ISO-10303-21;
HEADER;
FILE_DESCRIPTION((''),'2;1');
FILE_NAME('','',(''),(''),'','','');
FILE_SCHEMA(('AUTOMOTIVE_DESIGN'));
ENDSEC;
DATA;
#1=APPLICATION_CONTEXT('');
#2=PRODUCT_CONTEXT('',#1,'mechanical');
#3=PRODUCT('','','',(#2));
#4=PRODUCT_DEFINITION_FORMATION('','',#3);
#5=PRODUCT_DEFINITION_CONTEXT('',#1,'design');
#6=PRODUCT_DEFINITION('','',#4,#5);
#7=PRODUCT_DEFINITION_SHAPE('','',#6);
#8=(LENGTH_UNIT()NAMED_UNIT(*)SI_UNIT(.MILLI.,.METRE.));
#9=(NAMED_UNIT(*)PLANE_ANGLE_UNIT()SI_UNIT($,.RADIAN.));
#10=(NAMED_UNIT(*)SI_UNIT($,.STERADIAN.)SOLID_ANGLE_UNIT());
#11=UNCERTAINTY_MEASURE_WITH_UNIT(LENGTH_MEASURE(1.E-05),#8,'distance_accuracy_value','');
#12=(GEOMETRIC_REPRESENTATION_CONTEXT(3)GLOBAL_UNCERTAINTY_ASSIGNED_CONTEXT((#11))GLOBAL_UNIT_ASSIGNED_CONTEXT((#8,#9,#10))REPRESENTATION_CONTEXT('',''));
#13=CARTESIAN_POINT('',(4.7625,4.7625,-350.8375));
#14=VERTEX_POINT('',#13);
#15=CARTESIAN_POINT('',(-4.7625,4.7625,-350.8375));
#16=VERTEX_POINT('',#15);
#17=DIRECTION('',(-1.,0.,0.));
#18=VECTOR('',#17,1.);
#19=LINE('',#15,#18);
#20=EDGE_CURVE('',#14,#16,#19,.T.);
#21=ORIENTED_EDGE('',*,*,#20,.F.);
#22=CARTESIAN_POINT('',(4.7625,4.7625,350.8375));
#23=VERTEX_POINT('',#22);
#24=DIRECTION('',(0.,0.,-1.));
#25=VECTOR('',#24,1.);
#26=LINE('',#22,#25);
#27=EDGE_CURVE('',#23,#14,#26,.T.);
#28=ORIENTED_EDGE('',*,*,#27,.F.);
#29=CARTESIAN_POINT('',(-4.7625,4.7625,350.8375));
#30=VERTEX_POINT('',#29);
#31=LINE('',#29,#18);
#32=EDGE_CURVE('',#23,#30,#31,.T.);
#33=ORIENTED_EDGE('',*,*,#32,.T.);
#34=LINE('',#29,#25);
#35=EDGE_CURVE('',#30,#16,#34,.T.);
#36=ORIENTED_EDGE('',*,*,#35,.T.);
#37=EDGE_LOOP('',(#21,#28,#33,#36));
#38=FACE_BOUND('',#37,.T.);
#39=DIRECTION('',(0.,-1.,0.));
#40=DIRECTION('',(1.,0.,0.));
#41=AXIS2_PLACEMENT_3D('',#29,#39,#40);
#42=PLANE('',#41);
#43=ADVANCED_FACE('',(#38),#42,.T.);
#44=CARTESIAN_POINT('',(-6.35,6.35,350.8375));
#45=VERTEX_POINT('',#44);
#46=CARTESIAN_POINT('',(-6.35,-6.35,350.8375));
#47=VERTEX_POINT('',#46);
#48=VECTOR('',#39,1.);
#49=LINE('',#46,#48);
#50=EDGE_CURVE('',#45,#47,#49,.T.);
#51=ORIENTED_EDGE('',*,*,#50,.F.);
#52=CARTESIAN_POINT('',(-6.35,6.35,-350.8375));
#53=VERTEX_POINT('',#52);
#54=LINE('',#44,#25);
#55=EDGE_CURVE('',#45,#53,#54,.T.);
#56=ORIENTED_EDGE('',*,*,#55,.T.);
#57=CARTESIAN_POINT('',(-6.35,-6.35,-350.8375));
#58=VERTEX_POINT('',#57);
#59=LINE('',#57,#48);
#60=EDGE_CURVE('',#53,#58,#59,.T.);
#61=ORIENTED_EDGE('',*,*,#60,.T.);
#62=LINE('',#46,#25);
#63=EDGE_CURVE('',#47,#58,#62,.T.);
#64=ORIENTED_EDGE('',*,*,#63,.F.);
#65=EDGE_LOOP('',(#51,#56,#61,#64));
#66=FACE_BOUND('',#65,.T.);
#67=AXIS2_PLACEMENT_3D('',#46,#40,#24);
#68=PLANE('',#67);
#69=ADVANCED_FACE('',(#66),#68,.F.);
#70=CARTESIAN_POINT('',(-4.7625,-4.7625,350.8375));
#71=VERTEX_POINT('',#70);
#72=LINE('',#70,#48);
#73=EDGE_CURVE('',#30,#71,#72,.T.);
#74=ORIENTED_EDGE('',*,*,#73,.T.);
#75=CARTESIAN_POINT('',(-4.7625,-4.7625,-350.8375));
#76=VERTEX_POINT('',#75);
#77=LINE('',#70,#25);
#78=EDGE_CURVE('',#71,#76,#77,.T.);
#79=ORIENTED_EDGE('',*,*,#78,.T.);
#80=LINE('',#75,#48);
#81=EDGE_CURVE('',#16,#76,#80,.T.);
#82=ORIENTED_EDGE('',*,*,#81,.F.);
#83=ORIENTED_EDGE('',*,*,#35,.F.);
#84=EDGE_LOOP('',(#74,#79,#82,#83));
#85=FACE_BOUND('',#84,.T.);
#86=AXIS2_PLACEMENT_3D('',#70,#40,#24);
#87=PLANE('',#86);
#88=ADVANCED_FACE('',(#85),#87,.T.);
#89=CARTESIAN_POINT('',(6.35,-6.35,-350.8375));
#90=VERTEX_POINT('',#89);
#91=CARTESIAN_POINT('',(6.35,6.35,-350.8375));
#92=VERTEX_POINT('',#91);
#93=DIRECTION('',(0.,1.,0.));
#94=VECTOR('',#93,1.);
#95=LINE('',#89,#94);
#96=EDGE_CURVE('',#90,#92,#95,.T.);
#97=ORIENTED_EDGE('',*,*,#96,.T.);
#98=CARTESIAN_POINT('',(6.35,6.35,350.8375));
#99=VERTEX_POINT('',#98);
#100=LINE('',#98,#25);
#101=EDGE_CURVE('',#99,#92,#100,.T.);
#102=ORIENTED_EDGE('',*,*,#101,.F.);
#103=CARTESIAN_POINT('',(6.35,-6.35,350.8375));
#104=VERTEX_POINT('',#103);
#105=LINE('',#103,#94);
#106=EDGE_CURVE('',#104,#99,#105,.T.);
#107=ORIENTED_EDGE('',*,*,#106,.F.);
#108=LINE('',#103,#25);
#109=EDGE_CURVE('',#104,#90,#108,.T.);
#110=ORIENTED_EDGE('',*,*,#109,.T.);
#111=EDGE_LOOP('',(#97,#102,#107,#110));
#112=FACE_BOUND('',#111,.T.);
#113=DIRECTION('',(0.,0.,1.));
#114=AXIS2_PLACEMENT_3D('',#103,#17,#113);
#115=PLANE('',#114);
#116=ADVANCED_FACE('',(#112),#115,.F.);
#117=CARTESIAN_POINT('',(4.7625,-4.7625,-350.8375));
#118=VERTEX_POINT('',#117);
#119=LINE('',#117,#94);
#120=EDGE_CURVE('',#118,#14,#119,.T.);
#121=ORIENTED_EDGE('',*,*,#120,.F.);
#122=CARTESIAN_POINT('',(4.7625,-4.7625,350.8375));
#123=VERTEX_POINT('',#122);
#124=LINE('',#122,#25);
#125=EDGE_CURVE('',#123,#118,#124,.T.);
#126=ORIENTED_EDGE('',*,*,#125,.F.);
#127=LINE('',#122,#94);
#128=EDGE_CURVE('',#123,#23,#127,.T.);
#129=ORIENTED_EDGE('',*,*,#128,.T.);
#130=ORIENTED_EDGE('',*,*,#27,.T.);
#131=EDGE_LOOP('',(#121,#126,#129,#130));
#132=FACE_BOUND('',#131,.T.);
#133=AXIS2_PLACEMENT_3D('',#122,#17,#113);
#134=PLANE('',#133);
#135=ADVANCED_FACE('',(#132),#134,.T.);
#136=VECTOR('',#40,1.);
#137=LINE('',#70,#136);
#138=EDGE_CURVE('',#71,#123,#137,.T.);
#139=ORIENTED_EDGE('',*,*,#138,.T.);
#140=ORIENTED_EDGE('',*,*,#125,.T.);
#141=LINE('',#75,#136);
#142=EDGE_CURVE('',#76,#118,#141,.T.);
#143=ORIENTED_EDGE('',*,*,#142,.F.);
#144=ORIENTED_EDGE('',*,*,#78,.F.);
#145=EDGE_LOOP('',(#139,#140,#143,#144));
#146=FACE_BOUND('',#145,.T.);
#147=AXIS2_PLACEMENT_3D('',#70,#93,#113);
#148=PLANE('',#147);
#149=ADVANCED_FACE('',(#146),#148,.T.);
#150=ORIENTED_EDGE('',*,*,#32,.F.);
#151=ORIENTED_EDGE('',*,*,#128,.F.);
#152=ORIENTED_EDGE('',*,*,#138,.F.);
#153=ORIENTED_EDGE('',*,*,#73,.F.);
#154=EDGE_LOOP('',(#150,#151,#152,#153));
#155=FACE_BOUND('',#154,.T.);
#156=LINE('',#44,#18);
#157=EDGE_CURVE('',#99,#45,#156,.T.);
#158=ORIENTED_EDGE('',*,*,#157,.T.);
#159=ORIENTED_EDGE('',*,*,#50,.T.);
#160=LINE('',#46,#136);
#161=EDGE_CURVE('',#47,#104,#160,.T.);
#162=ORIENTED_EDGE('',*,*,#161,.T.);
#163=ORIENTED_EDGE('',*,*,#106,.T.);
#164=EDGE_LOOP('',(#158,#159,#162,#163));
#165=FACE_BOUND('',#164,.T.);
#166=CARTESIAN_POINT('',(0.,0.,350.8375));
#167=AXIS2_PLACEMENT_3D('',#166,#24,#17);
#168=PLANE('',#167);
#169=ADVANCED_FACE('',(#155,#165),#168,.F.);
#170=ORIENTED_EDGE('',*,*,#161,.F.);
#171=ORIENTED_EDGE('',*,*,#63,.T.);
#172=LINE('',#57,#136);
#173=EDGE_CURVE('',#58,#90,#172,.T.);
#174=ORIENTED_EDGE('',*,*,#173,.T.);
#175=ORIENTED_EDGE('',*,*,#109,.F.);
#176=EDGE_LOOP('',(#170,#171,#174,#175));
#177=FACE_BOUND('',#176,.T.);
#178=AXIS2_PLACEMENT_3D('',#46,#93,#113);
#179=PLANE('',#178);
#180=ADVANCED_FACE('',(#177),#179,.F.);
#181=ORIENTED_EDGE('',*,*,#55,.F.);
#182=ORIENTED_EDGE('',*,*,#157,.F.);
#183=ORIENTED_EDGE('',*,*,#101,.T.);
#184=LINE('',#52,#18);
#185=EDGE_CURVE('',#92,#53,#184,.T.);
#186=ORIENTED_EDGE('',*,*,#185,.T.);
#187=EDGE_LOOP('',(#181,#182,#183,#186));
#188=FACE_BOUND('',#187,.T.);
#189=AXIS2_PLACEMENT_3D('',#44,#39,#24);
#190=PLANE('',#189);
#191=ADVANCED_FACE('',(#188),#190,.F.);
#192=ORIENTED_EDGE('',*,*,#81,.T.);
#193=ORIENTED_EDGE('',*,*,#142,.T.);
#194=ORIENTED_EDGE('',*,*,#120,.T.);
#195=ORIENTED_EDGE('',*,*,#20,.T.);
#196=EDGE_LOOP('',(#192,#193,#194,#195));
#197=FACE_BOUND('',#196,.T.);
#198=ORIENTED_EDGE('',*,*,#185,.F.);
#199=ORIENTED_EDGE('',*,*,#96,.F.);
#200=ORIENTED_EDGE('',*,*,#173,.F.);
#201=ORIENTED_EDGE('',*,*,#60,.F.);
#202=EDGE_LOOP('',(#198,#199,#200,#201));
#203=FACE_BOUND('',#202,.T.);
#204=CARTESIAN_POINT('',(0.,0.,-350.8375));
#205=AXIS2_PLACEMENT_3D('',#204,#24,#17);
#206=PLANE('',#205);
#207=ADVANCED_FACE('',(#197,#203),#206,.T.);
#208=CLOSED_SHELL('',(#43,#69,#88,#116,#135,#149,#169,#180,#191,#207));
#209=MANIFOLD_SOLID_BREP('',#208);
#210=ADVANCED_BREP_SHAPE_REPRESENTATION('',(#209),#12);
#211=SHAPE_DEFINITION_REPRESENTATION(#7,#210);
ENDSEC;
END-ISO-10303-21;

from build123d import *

# Parameters (mm, degrees)
SKETCH1_W           = 12.7
SKETCH1_H           = 12.7
SKETCH1_W_2         = 9.525
SKETCH1_H_2         = 9.525
BOSS_EXTRUDE1_DEPTH = 350.8375


with BuildPart() as part:
    # Sketch1 → Boss-Extrude1 (new, symmetric)
    with BuildSketch(Plane.XY):
        Rectangle(SKETCH1_W, SKETCH1_H)
        Rectangle(SKETCH1_W_2, SKETCH1_H_2, mode=Mode.SUBTRACT)
    extrude(amount=BOSS_EXTRUDE1_DEPTH, both=True)


solid = part.part
